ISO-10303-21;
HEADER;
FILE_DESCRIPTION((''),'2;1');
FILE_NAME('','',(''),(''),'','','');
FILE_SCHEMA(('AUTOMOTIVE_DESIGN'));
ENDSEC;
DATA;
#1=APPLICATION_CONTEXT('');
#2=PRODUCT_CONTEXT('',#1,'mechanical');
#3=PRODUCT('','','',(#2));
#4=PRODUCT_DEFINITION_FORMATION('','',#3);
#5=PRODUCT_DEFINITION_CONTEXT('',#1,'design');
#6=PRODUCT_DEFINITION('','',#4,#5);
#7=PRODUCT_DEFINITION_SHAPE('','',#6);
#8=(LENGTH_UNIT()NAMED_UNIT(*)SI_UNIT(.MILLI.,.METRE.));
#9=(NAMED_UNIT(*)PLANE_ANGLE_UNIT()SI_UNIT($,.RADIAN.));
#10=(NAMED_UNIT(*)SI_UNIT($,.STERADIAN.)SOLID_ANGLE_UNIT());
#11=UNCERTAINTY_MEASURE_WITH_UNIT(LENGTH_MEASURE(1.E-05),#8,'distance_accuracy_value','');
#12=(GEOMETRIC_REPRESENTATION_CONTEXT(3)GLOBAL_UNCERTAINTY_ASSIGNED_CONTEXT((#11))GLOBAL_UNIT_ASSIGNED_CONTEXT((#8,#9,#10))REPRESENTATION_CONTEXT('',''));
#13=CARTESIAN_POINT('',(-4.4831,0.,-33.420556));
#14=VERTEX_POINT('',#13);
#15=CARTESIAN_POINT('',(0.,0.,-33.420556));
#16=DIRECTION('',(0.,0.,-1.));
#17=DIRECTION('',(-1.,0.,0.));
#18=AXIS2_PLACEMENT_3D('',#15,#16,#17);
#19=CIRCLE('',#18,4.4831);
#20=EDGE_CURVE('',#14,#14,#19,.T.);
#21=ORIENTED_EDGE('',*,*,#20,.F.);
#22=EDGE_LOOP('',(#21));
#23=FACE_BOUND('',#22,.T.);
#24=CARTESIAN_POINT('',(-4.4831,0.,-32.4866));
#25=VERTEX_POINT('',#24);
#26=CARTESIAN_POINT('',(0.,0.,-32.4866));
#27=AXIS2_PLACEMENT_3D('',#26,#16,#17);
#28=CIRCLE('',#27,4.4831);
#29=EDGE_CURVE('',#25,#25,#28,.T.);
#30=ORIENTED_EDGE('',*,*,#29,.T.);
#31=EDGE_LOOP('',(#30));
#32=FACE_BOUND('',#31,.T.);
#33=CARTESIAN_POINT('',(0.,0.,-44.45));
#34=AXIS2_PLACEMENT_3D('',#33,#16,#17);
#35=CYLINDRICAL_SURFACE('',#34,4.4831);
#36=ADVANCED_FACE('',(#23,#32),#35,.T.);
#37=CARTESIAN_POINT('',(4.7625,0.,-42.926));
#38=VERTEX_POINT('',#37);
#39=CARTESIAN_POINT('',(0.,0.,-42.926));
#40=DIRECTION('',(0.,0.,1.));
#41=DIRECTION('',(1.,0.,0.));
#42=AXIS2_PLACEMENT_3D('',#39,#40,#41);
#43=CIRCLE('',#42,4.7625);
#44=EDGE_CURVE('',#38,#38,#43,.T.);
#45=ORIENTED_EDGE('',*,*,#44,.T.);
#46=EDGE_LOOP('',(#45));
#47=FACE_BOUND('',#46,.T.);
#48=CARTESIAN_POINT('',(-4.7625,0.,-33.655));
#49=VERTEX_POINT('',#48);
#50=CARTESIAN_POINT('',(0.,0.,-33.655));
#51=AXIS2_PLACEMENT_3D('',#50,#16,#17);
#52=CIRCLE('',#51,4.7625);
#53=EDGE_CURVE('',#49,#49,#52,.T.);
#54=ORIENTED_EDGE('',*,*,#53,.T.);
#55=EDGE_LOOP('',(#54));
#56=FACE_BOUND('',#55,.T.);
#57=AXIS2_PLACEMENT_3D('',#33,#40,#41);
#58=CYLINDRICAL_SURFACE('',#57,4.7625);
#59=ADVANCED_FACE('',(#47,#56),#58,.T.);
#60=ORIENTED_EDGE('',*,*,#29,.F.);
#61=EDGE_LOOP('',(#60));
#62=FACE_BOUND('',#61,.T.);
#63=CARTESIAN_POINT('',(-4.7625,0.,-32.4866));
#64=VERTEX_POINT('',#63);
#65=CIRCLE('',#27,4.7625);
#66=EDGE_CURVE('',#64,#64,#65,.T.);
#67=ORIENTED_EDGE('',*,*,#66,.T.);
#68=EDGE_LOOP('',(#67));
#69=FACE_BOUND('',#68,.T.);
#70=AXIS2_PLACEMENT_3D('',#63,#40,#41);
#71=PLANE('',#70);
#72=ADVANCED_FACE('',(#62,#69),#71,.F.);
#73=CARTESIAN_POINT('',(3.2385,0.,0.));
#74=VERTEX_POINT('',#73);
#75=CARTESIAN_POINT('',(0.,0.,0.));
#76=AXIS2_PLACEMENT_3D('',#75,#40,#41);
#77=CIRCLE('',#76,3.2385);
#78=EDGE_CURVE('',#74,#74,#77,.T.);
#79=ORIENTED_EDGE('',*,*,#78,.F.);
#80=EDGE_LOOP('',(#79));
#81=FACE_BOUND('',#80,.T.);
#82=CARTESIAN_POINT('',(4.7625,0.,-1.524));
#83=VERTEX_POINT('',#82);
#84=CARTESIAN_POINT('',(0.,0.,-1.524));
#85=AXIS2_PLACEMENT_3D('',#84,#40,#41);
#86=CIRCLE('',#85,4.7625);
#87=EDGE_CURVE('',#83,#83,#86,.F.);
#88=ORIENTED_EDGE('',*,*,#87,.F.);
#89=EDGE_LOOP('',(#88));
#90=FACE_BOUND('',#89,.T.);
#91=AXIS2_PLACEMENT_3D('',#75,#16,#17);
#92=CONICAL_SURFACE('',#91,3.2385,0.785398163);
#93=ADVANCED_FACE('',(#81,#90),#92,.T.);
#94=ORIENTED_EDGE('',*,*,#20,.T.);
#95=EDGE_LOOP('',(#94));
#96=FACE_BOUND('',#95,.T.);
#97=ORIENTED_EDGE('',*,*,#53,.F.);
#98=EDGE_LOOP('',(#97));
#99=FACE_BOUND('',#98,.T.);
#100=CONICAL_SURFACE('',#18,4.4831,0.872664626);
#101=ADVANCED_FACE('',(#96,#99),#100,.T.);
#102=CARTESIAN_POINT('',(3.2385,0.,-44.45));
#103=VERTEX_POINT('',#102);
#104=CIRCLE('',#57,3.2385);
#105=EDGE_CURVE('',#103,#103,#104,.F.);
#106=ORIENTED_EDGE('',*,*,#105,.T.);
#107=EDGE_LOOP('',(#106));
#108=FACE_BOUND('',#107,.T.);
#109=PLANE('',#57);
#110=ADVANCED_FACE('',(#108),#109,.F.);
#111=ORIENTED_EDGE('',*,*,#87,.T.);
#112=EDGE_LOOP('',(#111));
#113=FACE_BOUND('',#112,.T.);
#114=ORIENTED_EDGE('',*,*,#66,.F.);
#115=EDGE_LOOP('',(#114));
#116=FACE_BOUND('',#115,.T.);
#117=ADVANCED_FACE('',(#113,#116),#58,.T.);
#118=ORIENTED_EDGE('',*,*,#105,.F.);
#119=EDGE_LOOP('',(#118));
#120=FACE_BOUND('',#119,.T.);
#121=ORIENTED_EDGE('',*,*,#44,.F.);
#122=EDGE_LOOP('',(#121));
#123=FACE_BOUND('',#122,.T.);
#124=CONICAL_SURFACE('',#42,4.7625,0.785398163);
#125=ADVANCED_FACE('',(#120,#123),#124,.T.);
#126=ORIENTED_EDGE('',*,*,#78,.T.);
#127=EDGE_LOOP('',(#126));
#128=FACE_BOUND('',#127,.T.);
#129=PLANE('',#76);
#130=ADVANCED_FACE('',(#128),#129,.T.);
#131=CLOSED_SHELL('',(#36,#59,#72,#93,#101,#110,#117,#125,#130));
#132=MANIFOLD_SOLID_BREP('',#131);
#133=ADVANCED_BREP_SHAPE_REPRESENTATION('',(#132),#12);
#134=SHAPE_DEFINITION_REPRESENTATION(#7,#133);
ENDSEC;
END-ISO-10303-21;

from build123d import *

# Parameters (mm, degrees)
SKETCH1_R           = 4.7625
BOSS_EXTRUDE1_DEPTH = 44.45
CHAMFER1_SIZE       = 1.524


with BuildPart() as part:
    # Sketch1 → Boss-Extrude1 (new body)
    with BuildSketch(Plane.XY):
        Circle(SKETCH1_R)
    extrude(amount=-BOSS_EXTRUDE1_DEPTH)

    # Sketch2 → Cut-Revolve1 (revolve, cut)
    with BuildSketch(Plane(origin=(0, 0, 0), x_dir=(1, 0, 0), z_dir=(0, 1, 0)), mode=Mode.PRIVATE) as cut_revolve1_sk:
        Polygon((-4.7625, 33.655), (-4.7625, 32.4866), (-4.4831, 32.4866), (-4.4831, 33.420555563), align=None)
    revolve(cut_revolve1_sk.sketch.rotate(Axis((0, 0, -44.45), (0, 0, 1)), 180), axis=Axis((0, 0, -44.45), (0, 0, 1)), mode=Mode.SUBTRACT)

    # Chamfer1
    chamfer1_edges = [part.edges().sort_by_distance(p)[0] for p in [
        (-4.7625, 0, 0),
        (-4.7625, 0, -44.45),
    ]]
    chamfer(chamfer1_edges, length=CHAMFER1_SIZE)


solid = part.part
